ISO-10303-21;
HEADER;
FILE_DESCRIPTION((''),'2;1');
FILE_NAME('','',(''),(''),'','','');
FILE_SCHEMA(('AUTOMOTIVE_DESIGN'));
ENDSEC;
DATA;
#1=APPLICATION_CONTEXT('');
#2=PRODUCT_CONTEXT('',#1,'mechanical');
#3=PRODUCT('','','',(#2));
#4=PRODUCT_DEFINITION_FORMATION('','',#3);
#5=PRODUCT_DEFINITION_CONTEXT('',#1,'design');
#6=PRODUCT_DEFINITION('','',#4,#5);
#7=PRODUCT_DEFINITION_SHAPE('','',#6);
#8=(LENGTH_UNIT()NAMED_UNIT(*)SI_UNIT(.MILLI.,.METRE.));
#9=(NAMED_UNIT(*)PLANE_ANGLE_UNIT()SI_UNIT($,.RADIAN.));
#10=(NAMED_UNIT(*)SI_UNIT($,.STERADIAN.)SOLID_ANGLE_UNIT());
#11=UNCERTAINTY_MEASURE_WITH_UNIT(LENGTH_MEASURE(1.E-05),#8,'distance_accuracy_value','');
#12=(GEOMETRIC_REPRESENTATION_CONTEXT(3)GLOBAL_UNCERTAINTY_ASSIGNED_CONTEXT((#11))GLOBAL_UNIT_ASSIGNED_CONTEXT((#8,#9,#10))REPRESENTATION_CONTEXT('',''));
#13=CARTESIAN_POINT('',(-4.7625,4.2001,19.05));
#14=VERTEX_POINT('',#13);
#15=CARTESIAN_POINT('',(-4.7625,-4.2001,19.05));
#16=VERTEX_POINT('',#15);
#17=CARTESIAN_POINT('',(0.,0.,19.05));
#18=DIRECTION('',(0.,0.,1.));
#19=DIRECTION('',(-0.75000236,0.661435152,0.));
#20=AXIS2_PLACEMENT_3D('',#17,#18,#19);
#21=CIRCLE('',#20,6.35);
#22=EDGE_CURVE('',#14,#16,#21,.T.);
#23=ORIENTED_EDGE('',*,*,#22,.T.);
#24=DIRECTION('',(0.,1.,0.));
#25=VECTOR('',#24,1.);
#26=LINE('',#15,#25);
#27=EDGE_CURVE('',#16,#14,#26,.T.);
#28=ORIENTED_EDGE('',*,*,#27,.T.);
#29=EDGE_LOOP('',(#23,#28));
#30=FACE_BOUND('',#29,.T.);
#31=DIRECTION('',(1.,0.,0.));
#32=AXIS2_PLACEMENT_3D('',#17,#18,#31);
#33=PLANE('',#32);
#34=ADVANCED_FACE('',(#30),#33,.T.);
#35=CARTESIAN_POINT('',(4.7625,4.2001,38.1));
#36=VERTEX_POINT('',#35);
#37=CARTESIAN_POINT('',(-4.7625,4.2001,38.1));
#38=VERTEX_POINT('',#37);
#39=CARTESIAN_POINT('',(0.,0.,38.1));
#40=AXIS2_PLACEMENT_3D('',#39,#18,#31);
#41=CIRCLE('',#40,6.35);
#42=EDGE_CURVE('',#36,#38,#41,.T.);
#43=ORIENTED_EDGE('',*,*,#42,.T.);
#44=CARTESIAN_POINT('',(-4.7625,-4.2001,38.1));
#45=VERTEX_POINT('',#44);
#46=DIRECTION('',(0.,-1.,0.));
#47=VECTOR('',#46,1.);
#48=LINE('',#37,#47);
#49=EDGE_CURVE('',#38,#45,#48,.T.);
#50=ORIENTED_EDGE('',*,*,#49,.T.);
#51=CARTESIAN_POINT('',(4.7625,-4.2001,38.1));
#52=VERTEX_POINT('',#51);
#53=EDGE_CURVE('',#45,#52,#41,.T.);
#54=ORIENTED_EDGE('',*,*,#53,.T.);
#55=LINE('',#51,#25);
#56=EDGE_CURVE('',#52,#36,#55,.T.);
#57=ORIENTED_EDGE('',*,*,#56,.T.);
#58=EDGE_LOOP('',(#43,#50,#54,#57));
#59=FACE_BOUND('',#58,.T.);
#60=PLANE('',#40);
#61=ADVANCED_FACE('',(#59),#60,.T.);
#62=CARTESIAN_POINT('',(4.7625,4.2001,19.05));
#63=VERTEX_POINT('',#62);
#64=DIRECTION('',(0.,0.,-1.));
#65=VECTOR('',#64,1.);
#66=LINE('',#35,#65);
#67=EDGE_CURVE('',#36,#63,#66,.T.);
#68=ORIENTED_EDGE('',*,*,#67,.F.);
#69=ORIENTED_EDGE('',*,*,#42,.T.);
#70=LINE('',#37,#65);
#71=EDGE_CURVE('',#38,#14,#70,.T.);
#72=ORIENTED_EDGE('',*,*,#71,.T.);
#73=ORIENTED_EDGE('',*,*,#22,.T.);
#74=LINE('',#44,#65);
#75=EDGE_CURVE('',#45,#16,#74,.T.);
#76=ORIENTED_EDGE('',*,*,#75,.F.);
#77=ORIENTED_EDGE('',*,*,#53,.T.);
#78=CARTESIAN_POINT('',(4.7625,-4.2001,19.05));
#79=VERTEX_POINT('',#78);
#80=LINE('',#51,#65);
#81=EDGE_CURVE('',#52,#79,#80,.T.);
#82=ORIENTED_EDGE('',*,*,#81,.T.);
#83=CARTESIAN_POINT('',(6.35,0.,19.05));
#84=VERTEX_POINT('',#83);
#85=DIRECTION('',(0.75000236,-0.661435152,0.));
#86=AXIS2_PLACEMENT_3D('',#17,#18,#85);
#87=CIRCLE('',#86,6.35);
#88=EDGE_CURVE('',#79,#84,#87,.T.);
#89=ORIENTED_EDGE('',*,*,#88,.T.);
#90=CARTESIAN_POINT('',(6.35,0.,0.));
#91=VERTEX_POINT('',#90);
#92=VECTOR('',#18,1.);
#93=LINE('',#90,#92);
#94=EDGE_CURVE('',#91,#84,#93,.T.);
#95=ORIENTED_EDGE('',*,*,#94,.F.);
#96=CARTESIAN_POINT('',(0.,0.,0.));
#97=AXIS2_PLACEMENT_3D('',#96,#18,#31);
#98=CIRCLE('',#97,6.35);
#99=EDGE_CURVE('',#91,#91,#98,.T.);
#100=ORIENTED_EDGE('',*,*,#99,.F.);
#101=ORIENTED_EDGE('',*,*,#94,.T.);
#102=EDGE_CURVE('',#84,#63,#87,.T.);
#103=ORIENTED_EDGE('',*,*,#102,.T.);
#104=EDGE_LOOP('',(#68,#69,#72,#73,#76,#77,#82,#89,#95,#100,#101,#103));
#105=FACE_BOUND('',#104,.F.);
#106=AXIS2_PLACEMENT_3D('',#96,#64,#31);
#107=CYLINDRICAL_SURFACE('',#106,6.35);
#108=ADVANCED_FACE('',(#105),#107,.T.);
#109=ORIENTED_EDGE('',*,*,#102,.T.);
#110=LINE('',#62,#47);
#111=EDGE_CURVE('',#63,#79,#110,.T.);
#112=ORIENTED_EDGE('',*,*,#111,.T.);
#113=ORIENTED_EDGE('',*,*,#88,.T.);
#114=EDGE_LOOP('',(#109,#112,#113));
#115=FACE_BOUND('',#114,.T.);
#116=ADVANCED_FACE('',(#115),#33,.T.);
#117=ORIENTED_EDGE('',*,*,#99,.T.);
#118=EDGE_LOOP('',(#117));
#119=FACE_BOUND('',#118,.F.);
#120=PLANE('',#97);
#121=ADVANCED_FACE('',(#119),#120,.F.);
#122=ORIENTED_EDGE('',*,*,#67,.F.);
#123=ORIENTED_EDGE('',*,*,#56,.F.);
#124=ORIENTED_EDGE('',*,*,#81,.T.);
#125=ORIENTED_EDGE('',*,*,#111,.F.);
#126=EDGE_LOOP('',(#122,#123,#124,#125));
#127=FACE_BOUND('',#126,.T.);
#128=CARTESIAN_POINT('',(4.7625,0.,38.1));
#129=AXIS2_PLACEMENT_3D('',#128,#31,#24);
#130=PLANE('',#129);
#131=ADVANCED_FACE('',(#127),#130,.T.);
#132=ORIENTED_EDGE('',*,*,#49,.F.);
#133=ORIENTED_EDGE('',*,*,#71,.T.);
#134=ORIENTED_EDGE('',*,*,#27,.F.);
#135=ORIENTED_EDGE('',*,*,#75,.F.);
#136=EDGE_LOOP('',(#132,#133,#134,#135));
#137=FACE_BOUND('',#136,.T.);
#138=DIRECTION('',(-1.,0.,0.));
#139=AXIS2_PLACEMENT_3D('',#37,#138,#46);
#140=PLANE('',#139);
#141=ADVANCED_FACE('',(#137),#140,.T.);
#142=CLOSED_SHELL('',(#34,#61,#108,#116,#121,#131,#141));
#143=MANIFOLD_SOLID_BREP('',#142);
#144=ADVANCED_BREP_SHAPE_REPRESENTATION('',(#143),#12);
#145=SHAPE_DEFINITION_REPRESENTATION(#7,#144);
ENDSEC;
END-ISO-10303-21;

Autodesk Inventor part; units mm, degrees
ref_plane "YZ Plane" through (0, 0, 0) normal (1, 0, 0) x (0, 1, 0)
ref_plane "XZ Plane" through (0, 0, 0) normal (0, 1, 0) x (-1, 0, 0)
ref_plane "XY Plane" through (0, 0, 0) normal (0, 0, 1) x (1, 0, 0)
sketch "Sketch1" plane through (0, 0, 0) normal (0, 0, 1) x (1, 0, 0)
  circle A0 centre (0, 0) radius 6.35
  dimension "d0" = 12.7
extrude "Extrusion1" add sketch "Sketch1" along normal blind 38.1
sketch "Sketch2" plane through (0, 0, 38.1) normal (0, 0, 1) x (1, 0, 0)
  circle A0 centre (0, 0) radius 6.35 projected
  line L0 (-8.89, 0) -> (8.89, 0) projected
  line L1 (0, -8.89) -> (0, 8.89) projected
  line L2 (-4.7625, 4.2001) -> (-4.7625, -4.2001)
  line L3 (4.7625, -4.2001) -> (4.7625, 4.2001)
  arc A1 (-4.7625, -4.2001) -> (4.7625, -4.2001) centre (0, 0) ccw
  arc A2 (4.7625, 4.2001) -> (-4.7625, 4.2001) centre (0, 0) ccw
  dimension "d3" = 4.7625
extrude "Extrusion2" cut sketch "Sketch2" against normal blind 19.05 contours L0 L3 A0 | A0 L3 L0 | L2 L0 A0 | A0 L0 L2
properties part number "shaft" material "Steel"
